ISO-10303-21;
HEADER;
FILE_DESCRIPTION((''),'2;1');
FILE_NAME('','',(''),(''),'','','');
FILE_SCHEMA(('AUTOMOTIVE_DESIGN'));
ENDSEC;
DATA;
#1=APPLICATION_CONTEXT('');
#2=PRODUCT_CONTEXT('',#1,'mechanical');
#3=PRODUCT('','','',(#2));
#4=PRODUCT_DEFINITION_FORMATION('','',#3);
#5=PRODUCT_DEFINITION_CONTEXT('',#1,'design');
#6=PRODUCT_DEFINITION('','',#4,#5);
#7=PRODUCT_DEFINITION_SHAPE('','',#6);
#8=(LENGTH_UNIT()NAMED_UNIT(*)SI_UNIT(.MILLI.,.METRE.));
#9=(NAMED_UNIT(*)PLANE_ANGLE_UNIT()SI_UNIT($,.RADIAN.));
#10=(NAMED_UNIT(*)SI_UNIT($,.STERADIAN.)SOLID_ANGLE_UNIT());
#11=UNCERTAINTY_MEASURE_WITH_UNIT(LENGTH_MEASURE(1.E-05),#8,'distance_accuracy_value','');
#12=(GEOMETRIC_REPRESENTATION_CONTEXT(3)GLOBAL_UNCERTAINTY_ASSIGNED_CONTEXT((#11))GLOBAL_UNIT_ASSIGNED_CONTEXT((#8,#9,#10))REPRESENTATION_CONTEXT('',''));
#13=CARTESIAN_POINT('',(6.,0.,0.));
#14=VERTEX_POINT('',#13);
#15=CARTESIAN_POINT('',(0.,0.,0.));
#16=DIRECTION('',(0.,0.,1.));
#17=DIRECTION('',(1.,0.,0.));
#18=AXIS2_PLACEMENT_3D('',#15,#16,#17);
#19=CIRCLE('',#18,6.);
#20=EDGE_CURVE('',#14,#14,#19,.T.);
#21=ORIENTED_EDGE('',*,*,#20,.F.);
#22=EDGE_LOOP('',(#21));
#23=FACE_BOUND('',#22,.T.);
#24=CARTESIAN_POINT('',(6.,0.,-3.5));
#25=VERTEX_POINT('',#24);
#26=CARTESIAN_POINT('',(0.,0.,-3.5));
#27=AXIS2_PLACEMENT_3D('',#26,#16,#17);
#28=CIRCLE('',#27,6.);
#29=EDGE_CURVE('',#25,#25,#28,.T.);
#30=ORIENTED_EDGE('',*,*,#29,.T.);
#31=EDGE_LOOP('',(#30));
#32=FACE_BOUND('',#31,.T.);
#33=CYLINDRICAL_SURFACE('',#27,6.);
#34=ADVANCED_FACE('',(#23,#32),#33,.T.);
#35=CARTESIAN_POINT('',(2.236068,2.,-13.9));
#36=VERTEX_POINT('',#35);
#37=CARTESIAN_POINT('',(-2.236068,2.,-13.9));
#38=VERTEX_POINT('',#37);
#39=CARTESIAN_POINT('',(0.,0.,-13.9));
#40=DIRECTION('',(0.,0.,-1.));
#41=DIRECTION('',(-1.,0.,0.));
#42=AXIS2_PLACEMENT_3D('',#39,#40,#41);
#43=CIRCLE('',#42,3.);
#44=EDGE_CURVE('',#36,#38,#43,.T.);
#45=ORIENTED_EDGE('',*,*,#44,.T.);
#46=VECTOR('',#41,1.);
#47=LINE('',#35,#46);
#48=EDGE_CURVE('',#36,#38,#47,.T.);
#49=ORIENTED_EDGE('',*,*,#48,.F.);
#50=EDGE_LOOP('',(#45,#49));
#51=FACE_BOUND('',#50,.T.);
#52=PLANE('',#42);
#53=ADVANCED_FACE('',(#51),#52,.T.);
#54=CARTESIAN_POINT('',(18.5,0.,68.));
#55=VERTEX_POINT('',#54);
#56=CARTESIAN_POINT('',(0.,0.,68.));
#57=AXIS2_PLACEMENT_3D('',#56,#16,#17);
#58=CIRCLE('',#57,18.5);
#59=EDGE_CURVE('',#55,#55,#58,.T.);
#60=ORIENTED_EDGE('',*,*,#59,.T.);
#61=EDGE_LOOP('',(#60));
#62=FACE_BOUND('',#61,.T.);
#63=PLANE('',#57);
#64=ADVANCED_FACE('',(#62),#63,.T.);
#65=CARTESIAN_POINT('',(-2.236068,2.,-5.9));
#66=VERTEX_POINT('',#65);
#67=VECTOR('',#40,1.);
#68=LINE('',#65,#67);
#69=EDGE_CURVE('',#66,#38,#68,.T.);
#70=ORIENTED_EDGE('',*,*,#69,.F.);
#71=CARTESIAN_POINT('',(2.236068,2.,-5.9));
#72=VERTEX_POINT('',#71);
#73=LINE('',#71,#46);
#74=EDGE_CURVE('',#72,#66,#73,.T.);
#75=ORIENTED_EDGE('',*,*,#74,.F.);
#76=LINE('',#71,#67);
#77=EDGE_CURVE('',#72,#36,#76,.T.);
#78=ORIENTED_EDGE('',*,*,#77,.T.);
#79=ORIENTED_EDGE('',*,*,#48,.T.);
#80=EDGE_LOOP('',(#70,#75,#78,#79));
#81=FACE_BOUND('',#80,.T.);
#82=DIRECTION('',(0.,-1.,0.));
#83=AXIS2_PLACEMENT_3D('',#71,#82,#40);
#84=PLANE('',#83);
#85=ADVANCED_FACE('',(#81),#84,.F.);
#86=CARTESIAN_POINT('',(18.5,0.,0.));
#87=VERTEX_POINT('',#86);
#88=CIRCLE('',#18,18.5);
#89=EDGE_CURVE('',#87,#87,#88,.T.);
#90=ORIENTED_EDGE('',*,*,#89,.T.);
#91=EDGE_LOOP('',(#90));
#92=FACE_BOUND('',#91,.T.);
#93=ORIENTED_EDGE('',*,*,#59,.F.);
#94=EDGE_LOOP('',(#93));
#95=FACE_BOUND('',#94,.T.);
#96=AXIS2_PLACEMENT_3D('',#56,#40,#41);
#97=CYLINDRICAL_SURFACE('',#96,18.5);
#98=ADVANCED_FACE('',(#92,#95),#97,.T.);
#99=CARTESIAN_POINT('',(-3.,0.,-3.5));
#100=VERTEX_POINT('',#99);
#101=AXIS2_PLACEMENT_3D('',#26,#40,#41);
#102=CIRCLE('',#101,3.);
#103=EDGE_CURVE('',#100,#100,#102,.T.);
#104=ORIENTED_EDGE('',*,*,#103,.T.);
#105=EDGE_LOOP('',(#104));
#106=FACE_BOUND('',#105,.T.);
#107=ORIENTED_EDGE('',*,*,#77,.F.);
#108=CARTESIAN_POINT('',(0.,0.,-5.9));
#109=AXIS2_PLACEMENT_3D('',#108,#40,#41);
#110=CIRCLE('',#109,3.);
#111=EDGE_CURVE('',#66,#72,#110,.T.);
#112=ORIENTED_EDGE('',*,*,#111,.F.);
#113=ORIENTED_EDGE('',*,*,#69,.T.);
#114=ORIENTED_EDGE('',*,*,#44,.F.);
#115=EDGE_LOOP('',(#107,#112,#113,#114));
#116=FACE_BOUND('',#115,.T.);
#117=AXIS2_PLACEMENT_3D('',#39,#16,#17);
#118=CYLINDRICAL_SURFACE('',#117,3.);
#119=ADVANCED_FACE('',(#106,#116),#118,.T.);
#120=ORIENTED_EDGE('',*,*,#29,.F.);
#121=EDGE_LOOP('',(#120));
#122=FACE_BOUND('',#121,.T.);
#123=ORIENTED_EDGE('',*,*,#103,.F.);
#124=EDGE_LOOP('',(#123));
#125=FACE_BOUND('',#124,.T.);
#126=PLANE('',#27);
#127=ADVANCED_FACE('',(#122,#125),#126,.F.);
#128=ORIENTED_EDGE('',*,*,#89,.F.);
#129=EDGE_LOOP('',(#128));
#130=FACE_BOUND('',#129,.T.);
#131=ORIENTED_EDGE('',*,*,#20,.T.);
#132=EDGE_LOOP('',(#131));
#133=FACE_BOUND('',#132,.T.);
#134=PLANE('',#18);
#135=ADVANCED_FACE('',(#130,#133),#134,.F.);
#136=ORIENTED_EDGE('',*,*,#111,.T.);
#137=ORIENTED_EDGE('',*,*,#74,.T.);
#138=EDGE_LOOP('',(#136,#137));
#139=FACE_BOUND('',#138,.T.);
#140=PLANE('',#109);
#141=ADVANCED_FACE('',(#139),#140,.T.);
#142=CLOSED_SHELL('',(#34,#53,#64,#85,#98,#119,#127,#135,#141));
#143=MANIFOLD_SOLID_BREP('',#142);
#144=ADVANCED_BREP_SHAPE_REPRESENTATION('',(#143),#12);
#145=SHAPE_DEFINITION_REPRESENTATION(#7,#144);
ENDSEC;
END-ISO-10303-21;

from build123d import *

# Parameters (mm, degrees)
SKETCH1_R           = 18.5
BOSS_EXTRUDE1_DEPTH = 68
SKETCH3_R           = 6
BOSS_EXTRUDE2_DEPTH = 3.5
SKETCH4_R           = 3
BOSS_EXTRUDE3_DEPTH = 10.4
CUT_EXTRUDE1_START  = -8
CUT_EXTRUDE1_DEPTH  = 8


with BuildPart() as part:
    # Sketch1 → Boss-Extrude1 (new body)
    with BuildSketch(Plane.XY):
        Circle(SKETCH1_R)
    extrude(amount=BOSS_EXTRUDE1_DEPTH)

    # Sketch3 → Boss-Extrude2 (add)
    with BuildSketch(Plane.XY):
        Circle(SKETCH3_R)
    extrude(amount=-BOSS_EXTRUDE2_DEPTH)

    # Sketch4 → Boss-Extrude3 (add)
    with BuildSketch(Plane(origin=(0, 0, -3.5), x_dir=(-1, 0, 0), z_dir=(0, 0, -1))):
        Circle(SKETCH4_R)
    extrude(amount=BOSS_EXTRUDE3_DEPTH)

    # Sketch5 → Cut-Extrude1 (cut)
    with BuildSketch(Plane(origin=(0, 0, -13.9), x_dir=(-1, 0, 0), z_dir=(0, 0, -1)).offset(CUT_EXTRUDE1_START)):
        with BuildLine():
            Line((-2.236067977, 2), (2.236067977, 2))
            ThreePointArc((2.236067977, 2), (0, 3), (-2.236067977, 2))
        make_face()
    extrude(amount=CUT_EXTRUDE1_DEPTH, mode=Mode.SUBTRACT)


solid = part.part
